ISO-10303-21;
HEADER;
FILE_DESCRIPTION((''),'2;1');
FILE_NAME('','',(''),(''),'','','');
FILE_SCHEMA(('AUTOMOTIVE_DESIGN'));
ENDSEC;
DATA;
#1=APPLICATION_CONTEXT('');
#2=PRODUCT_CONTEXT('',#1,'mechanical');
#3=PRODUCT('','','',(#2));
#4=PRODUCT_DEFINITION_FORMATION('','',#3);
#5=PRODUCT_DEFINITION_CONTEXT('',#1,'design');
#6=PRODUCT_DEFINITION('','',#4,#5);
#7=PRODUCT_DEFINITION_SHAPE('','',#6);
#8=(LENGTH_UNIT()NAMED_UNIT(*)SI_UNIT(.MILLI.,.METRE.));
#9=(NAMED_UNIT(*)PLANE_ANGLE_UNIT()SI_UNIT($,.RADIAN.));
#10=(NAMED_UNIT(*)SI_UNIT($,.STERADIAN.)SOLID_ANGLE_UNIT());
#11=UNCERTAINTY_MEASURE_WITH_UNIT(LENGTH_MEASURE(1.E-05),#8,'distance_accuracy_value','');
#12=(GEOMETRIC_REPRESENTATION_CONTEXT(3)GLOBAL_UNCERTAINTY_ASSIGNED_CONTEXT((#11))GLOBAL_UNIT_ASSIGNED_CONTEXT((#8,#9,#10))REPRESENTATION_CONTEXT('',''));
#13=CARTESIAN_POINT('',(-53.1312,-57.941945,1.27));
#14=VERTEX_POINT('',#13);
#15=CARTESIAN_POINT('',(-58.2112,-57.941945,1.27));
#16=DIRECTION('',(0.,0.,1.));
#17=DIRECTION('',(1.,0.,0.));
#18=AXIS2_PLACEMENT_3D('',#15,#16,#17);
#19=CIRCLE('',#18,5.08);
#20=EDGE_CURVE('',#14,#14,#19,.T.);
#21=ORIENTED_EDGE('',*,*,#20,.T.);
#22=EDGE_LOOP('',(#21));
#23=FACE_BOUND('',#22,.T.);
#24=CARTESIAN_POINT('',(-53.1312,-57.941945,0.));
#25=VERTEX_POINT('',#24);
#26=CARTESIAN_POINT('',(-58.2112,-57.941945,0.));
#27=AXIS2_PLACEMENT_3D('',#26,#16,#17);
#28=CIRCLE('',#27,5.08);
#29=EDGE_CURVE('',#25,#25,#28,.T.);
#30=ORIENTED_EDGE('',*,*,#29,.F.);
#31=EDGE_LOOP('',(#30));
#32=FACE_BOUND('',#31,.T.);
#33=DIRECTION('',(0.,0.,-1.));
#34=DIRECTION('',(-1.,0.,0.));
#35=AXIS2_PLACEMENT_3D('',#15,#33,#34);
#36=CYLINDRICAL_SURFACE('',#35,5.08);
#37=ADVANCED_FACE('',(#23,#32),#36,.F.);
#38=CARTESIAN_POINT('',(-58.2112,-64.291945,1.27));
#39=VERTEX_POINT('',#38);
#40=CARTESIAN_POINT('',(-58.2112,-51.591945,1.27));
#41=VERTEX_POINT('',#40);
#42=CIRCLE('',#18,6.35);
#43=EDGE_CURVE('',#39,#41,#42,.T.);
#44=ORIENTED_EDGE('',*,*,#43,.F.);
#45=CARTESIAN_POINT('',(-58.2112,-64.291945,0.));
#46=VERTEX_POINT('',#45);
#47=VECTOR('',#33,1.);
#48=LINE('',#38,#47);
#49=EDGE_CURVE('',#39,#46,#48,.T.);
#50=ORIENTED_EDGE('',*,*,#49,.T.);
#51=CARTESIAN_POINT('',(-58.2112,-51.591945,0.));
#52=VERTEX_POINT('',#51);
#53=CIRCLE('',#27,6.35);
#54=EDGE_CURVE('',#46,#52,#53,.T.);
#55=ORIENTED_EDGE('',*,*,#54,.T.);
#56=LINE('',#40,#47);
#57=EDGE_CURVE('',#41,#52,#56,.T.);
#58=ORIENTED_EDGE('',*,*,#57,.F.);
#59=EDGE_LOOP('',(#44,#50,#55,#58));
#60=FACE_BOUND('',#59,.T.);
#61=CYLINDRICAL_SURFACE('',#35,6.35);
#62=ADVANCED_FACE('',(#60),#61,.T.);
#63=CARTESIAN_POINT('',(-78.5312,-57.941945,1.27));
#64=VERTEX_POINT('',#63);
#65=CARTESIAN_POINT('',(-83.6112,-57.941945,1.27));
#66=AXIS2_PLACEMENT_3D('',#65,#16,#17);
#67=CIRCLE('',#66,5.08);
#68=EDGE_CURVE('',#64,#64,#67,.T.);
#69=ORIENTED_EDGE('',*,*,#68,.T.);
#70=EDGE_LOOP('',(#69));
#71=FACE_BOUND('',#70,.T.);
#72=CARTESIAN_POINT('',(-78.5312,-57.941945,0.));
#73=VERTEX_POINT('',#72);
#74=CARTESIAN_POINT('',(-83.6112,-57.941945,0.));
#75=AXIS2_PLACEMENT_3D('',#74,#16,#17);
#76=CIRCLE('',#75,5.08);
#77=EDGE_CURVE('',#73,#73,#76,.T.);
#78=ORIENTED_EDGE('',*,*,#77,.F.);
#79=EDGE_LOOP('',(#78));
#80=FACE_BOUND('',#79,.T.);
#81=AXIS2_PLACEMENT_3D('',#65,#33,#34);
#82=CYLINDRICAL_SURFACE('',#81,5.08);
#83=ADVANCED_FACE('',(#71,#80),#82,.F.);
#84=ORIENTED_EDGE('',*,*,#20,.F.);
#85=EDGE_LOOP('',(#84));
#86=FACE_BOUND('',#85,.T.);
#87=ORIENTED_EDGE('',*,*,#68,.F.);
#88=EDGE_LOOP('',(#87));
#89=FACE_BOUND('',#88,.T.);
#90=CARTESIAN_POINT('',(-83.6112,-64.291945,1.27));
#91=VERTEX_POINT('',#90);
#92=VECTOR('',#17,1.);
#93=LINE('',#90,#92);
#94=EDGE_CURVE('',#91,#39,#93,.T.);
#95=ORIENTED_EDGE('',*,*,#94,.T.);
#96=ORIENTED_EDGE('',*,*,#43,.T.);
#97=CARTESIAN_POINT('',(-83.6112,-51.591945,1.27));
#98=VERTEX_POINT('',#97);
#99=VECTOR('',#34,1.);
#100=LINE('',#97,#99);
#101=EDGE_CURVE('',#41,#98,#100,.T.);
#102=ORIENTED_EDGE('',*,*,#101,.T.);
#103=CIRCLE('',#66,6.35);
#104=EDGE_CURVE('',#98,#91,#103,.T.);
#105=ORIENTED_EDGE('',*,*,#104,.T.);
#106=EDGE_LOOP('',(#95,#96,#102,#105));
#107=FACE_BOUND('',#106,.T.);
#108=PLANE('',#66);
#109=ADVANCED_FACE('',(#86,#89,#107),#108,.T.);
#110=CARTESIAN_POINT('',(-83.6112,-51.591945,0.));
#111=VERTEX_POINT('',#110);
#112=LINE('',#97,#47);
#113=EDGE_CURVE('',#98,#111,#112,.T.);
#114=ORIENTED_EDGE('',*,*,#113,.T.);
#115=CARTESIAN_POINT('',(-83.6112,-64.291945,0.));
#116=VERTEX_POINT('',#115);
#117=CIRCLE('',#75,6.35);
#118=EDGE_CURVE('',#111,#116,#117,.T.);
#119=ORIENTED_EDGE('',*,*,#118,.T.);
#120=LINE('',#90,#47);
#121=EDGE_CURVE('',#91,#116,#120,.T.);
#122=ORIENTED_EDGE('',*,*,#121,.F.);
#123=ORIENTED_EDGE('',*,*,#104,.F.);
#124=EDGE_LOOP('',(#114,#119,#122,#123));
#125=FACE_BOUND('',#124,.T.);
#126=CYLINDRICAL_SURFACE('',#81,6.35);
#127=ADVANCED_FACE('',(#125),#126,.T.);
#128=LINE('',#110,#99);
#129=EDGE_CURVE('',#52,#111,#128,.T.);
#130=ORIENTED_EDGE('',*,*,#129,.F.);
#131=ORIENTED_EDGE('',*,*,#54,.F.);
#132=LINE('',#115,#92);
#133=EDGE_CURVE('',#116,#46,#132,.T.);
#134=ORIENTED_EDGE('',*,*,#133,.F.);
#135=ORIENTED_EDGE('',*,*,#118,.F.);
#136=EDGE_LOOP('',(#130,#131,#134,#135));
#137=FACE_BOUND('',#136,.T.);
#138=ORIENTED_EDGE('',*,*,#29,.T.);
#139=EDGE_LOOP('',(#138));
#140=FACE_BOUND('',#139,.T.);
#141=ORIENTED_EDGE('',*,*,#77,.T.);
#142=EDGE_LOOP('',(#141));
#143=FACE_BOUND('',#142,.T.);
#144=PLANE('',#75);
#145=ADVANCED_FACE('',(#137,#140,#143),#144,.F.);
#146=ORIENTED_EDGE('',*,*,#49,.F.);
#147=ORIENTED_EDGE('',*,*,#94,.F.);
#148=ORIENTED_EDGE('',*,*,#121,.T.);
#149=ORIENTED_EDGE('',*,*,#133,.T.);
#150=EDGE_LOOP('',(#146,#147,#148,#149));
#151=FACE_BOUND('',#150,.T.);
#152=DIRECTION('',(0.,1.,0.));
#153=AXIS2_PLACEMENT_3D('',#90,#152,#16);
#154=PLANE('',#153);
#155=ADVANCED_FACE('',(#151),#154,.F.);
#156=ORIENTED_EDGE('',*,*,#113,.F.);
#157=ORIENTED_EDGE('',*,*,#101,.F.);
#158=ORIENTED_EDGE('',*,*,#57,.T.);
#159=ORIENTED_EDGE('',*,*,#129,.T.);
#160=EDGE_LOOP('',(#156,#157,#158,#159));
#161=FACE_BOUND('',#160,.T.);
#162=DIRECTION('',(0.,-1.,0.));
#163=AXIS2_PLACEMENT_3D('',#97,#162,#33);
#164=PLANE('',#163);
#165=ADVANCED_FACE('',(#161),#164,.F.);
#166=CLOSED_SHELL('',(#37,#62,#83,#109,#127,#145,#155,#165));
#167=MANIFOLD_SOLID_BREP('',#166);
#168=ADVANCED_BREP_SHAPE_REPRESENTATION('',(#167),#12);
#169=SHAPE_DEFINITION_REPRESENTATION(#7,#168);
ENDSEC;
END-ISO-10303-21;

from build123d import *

# Parameters (mm, degrees)
SKETCH1_R           = 5.08
BOSS_EXTRUDE1_DEPTH = 1.27


with BuildPart() as part:
    # Sketch1 → Boss-Extrude1 (new body)
    with BuildSketch(Plane.XY):
        with BuildLine():
            Line((-83.611199938, -51.591945407), (-58.211199938, -51.591945407))
            ThreePointArc((-58.211199938, -51.591945407), (-51.861199938, -57.941945407), (-58.211199938, -64.291945407))
            Line((-58.211199938, -64.291945407), (-83.611199938, -64.291945407))
            ThreePointArc((-83.611199938, -64.291945407), (-89.961199938, -57.941945407), (-83.611199938, -51.591945407))
        make_face()
        with Locations((-58.211199938, -57.941945407)):
            Circle(SKETCH1_R, mode=Mode.SUBTRACT)
        with Locations((-83.611199938, -57.941945407)):
            Circle(SKETCH1_R, mode=Mode.SUBTRACT)
    extrude(amount=BOSS_EXTRUDE1_DEPTH)


solid = part.part
